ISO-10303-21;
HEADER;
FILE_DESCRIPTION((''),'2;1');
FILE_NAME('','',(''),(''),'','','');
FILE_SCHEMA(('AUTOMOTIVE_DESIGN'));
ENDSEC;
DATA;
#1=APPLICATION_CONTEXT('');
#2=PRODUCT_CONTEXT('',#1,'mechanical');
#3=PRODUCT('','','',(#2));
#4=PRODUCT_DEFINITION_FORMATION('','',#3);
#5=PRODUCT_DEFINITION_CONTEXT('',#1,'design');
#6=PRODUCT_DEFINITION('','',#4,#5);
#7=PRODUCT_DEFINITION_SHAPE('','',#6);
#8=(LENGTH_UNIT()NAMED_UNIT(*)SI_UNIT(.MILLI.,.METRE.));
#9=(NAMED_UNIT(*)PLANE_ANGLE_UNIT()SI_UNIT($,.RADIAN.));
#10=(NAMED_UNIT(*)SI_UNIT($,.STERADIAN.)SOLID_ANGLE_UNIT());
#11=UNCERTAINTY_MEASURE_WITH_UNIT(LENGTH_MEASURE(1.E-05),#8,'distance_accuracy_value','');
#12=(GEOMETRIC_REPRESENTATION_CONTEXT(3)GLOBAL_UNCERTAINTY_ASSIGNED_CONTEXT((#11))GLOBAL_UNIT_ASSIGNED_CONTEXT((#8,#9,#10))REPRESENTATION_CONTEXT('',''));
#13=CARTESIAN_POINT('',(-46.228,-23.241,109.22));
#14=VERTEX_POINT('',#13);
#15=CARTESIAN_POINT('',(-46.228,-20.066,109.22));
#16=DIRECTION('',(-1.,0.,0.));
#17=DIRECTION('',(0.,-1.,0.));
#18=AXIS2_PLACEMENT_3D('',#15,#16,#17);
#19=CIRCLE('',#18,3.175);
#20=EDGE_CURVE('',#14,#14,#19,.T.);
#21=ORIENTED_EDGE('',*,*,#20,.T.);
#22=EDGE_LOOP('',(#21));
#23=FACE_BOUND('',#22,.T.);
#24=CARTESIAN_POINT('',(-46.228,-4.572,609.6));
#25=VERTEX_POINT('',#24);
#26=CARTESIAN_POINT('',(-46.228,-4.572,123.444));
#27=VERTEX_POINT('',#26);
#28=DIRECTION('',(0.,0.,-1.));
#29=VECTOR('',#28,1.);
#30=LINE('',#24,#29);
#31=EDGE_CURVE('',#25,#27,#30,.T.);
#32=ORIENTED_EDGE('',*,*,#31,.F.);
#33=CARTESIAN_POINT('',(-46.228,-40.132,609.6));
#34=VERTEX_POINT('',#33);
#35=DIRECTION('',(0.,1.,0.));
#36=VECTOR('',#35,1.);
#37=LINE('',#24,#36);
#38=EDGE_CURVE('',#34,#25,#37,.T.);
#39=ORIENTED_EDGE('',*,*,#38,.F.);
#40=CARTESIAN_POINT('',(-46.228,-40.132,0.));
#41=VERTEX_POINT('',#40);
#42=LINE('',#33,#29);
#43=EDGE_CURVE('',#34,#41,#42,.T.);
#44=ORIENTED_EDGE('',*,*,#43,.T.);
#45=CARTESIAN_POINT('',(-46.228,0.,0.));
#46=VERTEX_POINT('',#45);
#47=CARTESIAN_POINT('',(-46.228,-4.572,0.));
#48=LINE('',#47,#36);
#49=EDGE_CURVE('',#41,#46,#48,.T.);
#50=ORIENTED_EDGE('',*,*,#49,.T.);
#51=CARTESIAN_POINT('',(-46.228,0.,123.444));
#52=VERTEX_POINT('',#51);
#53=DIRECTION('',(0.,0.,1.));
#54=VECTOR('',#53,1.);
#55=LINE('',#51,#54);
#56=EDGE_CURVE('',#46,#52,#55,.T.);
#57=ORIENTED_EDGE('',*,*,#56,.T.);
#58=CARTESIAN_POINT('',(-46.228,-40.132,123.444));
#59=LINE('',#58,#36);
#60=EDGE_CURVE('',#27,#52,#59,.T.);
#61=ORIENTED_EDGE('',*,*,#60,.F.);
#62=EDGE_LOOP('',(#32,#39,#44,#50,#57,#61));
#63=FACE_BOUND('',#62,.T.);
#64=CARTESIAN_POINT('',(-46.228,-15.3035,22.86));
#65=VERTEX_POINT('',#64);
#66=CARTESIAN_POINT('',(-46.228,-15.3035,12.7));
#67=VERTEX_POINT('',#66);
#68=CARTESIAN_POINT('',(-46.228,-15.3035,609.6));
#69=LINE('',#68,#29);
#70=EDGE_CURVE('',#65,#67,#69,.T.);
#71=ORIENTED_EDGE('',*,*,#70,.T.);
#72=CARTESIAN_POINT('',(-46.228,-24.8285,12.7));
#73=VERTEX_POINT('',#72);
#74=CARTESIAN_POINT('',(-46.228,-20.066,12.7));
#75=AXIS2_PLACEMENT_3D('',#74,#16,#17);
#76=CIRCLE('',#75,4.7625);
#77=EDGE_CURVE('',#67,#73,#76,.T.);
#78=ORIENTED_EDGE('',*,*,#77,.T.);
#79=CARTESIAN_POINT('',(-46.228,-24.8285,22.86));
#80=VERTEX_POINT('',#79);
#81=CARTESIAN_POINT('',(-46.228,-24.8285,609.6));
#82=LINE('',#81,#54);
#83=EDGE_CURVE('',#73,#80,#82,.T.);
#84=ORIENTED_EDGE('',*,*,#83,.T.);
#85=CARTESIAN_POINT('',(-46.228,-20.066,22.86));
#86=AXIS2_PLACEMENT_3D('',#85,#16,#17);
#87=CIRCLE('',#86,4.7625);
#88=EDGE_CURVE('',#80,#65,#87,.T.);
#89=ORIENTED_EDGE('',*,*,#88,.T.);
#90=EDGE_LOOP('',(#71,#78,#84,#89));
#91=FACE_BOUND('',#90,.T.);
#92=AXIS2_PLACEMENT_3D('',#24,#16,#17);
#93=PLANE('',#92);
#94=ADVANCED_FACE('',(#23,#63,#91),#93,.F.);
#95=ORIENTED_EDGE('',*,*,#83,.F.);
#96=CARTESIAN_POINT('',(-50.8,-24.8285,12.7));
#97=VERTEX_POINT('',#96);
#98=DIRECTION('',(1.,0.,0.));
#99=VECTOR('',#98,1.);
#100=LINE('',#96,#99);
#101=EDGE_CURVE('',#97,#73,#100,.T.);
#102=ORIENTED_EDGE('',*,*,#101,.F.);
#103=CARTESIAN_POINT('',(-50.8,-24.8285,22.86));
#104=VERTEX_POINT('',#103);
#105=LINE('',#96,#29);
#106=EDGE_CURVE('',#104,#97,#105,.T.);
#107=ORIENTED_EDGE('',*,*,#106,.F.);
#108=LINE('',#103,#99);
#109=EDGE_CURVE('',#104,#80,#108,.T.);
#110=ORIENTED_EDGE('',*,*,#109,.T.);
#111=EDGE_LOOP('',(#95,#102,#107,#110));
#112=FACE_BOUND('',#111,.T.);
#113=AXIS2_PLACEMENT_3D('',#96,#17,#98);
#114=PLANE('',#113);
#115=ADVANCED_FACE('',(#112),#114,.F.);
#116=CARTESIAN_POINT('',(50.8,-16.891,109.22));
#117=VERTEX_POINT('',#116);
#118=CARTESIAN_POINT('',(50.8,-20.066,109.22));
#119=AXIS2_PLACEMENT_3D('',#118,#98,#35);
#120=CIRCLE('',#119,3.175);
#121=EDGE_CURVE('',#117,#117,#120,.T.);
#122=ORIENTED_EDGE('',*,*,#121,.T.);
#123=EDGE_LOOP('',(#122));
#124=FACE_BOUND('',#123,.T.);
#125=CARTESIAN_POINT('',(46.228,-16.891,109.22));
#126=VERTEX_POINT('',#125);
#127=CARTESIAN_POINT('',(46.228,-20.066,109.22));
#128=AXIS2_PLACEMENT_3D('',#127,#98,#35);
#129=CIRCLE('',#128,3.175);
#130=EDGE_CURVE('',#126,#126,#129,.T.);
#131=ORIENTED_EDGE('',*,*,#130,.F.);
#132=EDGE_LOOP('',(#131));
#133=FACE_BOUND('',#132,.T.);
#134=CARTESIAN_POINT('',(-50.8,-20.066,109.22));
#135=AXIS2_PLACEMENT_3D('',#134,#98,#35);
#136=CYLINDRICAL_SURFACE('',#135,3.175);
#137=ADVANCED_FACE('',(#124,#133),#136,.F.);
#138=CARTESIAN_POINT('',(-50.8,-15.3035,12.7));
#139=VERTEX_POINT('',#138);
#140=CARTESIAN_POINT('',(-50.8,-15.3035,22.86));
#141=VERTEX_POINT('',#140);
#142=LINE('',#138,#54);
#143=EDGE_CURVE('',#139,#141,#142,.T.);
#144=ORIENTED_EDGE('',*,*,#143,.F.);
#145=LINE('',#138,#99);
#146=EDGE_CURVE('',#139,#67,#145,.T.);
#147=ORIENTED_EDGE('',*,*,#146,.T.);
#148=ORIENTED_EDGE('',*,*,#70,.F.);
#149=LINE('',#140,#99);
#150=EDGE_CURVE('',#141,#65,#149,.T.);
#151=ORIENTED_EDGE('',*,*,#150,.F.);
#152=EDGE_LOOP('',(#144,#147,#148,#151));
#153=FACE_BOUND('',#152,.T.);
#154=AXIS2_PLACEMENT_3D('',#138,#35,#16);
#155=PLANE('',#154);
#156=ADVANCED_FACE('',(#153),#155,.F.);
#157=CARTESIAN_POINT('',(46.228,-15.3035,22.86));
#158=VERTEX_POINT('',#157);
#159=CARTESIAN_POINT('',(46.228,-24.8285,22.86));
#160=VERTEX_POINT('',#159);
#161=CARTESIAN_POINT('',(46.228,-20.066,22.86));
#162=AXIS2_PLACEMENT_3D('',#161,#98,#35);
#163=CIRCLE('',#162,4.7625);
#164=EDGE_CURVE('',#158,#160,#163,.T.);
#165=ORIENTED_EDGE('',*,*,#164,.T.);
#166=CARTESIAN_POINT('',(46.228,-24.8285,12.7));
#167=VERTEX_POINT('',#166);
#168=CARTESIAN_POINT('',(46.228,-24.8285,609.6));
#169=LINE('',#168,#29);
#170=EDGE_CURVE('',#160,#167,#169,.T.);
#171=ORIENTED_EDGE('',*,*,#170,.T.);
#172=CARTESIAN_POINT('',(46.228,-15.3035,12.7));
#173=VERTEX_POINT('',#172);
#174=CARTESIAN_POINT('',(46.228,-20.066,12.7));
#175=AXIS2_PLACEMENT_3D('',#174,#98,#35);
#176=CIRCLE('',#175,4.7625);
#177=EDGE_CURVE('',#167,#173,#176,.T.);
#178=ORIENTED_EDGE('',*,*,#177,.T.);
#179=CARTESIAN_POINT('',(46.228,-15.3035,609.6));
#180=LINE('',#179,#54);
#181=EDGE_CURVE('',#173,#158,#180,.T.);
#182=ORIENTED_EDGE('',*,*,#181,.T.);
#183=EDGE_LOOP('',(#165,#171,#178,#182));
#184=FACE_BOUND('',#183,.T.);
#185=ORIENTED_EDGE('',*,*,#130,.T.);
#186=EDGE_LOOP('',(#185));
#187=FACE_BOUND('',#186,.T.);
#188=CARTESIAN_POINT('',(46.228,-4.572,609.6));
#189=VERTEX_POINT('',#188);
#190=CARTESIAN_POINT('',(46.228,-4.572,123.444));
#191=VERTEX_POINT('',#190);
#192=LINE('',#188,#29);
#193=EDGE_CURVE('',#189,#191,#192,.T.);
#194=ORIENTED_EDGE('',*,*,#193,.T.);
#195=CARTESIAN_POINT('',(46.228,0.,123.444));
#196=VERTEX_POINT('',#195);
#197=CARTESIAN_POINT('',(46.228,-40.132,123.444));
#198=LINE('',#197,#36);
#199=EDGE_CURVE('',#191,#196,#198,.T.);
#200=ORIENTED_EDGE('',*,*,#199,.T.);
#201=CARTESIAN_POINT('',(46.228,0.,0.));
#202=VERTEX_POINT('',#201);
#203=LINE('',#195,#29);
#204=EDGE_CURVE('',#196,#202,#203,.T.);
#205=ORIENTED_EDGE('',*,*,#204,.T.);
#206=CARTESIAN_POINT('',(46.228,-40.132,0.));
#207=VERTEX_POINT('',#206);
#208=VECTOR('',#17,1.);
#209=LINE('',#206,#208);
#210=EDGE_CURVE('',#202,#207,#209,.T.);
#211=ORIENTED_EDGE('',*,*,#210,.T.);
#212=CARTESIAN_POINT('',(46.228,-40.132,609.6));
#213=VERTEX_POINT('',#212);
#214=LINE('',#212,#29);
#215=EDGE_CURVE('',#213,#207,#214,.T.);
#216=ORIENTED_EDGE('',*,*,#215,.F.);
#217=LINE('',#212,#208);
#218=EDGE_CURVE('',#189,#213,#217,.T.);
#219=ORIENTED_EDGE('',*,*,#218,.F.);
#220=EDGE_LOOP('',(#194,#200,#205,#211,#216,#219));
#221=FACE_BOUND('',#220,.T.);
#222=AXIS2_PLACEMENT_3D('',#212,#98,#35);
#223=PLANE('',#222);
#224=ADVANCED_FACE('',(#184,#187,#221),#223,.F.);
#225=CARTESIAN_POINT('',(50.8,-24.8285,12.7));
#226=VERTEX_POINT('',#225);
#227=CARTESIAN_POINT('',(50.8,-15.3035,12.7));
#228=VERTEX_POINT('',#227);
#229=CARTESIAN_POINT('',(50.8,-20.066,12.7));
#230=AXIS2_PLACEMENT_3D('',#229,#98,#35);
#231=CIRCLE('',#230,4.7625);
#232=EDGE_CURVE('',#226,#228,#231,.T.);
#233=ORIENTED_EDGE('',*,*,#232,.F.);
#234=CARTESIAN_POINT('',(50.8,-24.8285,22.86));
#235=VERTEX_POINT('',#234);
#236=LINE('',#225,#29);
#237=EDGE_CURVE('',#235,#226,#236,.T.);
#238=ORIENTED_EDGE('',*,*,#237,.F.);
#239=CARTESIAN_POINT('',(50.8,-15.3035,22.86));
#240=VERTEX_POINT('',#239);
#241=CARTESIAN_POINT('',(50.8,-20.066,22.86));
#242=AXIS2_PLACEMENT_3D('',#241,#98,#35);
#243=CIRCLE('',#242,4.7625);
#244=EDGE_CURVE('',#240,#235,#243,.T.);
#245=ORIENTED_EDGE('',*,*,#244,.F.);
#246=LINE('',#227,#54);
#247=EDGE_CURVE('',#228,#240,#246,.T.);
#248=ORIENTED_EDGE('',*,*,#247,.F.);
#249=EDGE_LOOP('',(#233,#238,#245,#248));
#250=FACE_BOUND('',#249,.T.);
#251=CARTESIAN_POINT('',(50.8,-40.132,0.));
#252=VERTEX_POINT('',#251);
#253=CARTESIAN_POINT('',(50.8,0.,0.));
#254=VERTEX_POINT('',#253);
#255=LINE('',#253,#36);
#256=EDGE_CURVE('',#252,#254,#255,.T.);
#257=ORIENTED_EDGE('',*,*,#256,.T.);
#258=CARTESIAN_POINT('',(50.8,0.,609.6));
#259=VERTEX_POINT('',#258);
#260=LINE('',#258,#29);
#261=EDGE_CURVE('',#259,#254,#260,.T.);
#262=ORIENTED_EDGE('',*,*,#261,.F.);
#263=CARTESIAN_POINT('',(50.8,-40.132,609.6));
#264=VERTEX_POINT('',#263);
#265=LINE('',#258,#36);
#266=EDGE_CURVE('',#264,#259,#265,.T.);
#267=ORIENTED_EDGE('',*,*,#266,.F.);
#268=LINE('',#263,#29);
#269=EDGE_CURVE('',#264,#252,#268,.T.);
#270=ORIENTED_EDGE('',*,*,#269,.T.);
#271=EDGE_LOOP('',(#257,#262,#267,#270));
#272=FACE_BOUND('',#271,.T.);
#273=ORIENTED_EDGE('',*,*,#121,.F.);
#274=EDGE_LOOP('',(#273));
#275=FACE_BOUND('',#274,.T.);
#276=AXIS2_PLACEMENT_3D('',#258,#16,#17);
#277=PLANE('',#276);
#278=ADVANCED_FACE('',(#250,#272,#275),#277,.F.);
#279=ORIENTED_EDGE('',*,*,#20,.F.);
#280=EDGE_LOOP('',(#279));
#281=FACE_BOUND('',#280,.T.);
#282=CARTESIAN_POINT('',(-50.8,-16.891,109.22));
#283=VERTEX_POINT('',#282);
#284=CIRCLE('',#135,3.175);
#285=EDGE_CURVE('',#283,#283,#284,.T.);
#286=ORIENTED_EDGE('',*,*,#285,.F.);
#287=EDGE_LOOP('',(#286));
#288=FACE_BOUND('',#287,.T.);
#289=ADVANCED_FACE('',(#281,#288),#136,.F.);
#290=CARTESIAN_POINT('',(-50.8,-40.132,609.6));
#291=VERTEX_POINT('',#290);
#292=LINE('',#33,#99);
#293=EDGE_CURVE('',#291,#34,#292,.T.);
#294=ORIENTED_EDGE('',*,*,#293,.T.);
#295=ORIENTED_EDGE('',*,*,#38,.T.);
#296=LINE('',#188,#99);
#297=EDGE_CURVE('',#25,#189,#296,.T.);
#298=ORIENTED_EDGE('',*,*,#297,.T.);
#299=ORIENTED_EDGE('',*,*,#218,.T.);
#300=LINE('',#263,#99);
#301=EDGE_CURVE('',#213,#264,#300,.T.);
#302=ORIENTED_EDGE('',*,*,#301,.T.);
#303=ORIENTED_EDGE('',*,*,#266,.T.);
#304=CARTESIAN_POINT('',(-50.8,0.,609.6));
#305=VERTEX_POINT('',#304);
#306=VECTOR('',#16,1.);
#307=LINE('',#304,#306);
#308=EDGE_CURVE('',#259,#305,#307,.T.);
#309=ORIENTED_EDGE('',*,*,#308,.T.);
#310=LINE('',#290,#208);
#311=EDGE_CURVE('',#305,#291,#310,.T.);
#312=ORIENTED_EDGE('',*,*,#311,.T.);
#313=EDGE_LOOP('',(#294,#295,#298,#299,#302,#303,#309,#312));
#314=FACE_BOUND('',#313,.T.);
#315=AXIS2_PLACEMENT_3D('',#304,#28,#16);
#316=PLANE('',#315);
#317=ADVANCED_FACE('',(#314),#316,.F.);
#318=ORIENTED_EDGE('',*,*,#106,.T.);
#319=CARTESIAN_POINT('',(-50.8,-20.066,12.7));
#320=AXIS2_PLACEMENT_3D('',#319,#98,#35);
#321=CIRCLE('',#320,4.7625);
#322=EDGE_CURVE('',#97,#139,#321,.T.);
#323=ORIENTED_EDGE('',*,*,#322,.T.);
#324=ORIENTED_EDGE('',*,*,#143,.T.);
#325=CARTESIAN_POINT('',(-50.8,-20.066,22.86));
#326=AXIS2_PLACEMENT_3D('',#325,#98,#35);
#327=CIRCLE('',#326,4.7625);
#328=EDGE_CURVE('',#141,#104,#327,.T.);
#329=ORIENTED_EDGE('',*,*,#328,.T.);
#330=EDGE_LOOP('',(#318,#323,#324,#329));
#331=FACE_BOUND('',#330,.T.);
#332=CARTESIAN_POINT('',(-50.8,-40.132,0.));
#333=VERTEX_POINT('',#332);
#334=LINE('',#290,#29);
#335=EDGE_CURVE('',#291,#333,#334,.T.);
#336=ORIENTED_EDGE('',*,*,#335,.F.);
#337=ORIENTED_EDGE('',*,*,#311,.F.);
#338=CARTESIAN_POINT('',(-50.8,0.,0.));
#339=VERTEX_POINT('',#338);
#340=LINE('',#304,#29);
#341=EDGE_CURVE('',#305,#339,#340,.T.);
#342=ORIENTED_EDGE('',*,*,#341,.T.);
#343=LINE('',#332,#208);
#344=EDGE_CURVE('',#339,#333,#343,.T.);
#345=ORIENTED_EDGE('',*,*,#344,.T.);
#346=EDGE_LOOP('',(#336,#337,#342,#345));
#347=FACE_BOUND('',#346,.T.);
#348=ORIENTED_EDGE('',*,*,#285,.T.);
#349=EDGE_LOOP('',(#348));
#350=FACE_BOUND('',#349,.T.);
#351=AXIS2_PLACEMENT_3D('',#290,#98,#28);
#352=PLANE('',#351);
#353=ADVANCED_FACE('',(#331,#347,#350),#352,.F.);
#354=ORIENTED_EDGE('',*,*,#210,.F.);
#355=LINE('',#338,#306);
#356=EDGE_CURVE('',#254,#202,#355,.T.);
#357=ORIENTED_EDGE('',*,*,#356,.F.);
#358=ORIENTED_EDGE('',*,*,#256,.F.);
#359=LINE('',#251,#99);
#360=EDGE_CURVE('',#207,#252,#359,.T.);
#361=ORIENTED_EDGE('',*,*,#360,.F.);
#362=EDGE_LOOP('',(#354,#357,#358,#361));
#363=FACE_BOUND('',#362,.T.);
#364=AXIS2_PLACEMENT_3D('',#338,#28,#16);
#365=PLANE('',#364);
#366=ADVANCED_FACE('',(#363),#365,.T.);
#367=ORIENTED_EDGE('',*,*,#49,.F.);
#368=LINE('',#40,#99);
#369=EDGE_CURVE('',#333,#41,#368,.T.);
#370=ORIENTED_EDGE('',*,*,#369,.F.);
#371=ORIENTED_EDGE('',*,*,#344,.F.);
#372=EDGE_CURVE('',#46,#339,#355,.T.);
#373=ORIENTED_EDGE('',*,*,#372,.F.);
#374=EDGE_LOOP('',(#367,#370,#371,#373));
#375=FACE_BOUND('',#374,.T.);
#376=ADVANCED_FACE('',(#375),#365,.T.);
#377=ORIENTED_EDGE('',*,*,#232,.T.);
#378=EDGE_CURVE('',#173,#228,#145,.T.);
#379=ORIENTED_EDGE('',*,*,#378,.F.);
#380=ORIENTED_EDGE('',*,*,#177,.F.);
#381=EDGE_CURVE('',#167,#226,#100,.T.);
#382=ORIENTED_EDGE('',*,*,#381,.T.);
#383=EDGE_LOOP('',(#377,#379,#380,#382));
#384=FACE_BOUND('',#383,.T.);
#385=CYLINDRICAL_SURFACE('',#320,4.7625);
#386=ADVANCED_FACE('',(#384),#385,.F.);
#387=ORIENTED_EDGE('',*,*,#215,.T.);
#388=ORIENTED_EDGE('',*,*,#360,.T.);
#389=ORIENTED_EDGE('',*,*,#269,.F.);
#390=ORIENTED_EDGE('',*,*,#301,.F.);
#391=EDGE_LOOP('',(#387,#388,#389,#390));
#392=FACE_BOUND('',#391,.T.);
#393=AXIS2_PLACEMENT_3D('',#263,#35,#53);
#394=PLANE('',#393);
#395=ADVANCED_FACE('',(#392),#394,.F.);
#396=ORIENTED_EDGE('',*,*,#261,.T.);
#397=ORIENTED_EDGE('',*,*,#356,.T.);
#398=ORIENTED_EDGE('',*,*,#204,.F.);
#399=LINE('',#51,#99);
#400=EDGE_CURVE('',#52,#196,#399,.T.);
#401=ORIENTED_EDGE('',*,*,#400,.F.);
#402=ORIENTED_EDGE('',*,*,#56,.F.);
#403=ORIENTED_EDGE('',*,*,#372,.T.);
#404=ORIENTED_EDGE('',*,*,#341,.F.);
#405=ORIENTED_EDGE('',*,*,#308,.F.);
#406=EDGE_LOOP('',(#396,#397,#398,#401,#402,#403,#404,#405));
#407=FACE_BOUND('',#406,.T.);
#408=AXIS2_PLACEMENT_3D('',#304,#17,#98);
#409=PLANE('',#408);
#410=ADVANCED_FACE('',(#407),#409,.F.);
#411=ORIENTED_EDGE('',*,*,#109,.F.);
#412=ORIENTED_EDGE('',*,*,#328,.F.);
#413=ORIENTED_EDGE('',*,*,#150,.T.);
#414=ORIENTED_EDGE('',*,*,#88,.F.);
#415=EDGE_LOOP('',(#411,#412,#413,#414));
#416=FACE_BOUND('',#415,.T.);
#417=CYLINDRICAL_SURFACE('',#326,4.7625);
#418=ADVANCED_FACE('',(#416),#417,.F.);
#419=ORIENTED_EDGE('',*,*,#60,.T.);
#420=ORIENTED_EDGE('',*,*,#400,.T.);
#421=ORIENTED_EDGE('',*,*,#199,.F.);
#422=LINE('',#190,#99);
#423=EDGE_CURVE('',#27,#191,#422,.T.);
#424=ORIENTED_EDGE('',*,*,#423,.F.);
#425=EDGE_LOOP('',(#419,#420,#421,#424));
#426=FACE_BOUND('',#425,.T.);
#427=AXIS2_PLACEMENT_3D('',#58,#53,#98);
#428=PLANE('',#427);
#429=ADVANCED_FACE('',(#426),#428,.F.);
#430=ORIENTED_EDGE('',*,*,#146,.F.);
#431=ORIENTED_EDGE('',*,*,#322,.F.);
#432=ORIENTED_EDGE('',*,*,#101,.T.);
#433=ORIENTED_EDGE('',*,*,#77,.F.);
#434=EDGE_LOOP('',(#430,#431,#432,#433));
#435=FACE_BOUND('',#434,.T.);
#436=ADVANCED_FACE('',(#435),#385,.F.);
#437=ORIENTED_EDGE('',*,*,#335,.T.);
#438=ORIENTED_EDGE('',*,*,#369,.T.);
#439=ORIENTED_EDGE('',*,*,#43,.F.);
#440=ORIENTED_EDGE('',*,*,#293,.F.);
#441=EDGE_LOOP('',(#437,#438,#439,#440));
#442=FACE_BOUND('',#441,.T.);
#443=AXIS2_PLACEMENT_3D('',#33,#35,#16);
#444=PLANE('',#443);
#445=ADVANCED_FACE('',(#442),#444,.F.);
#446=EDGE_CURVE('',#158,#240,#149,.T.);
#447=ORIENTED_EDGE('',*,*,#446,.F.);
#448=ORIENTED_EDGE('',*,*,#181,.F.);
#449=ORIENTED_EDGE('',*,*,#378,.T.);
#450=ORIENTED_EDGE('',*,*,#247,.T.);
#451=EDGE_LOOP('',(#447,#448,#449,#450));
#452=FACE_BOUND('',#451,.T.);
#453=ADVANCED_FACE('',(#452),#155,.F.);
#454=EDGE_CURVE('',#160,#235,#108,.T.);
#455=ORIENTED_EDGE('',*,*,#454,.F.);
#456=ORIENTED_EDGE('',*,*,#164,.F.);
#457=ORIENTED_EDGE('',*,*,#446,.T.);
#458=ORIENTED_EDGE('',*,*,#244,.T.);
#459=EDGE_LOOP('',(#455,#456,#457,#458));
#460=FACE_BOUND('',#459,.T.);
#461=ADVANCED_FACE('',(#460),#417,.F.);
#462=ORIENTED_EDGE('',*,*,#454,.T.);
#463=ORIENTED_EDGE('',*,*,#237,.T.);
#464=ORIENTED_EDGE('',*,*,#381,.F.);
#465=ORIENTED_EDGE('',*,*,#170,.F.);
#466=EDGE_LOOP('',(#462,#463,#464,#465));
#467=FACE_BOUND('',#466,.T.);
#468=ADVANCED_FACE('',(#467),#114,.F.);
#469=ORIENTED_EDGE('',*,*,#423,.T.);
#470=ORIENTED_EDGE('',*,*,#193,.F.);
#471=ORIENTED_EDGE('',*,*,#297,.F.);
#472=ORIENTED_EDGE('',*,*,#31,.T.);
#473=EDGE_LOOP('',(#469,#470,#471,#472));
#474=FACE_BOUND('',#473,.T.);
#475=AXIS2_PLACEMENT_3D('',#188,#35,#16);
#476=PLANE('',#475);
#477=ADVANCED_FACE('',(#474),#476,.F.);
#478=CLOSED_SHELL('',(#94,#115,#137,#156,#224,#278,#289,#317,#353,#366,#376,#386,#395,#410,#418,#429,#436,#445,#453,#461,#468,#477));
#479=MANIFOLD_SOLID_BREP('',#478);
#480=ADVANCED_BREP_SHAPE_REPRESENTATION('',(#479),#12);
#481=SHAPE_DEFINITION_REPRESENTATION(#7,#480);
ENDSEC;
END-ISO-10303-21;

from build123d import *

# Parameters (mm, degrees)
BOSS_EXTRUDE1_DEPTH = 609.6
SKETCH3_W           = 92.456
SKETCH3_H           = 123.444
CUT_EXTRUDE1_DEPTH  = 614.028039672
SKETCH4_R           = 3.175
CUT_EXTRUDE2_DEPTH  = 620.310340156


with BuildPart() as part:
    # Sketch1 → Boss-Extrude1 (new body)
    with BuildSketch(Plane.XY):
        Polygon((-50.8, 0), (50.8, 0), (50.8, -40.132), (46.228, -40.132), (46.228, -4.572), (-46.228, -4.572), (-46.228, -40.132), (-50.8, -40.132), align=None)
    extrude(amount=BOSS_EXTRUDE1_DEPTH)

    # Sketch3 → Cut-Extrude1 (cut, through all)
    with BuildSketch(Plane(origin=(0, 0, 0), x_dir=(1, 0, 0), z_dir=(0, 1, 0))):
        with Locations((0, -61.722)):
            Rectangle(SKETCH3_W, SKETCH3_H)
    extrude(amount=-CUT_EXTRUDE1_DEPTH, mode=Mode.SUBTRACT)

    # Sketch4 → Cut-Extrude2 (cut, through all)
    with BuildSketch(Plane(origin=(50.8, 0, 0), x_dir=(0, 0, -1), z_dir=(1, 0, 0))):
        with Locations(Location((-109.22, -20.066, 0), (0, 0, 90))):
            Circle(SKETCH4_R)
        with BuildLine():
            Line((-12.7, -24.8285), (-22.86, -24.8285))
            ThreePointArc((-22.86, -24.8285), (-27.6225, -20.066), (-22.86, -15.3035))
            Line((-22.86, -15.3035), (-12.7, -15.3035))
            ThreePointArc((-12.7, -15.3035), (-7.9375, -20.066), (-12.7, -24.8285))
        make_face()
    extrude(amount=-CUT_EXTRUDE2_DEPTH, mode=Mode.SUBTRACT)


solid = part.part
